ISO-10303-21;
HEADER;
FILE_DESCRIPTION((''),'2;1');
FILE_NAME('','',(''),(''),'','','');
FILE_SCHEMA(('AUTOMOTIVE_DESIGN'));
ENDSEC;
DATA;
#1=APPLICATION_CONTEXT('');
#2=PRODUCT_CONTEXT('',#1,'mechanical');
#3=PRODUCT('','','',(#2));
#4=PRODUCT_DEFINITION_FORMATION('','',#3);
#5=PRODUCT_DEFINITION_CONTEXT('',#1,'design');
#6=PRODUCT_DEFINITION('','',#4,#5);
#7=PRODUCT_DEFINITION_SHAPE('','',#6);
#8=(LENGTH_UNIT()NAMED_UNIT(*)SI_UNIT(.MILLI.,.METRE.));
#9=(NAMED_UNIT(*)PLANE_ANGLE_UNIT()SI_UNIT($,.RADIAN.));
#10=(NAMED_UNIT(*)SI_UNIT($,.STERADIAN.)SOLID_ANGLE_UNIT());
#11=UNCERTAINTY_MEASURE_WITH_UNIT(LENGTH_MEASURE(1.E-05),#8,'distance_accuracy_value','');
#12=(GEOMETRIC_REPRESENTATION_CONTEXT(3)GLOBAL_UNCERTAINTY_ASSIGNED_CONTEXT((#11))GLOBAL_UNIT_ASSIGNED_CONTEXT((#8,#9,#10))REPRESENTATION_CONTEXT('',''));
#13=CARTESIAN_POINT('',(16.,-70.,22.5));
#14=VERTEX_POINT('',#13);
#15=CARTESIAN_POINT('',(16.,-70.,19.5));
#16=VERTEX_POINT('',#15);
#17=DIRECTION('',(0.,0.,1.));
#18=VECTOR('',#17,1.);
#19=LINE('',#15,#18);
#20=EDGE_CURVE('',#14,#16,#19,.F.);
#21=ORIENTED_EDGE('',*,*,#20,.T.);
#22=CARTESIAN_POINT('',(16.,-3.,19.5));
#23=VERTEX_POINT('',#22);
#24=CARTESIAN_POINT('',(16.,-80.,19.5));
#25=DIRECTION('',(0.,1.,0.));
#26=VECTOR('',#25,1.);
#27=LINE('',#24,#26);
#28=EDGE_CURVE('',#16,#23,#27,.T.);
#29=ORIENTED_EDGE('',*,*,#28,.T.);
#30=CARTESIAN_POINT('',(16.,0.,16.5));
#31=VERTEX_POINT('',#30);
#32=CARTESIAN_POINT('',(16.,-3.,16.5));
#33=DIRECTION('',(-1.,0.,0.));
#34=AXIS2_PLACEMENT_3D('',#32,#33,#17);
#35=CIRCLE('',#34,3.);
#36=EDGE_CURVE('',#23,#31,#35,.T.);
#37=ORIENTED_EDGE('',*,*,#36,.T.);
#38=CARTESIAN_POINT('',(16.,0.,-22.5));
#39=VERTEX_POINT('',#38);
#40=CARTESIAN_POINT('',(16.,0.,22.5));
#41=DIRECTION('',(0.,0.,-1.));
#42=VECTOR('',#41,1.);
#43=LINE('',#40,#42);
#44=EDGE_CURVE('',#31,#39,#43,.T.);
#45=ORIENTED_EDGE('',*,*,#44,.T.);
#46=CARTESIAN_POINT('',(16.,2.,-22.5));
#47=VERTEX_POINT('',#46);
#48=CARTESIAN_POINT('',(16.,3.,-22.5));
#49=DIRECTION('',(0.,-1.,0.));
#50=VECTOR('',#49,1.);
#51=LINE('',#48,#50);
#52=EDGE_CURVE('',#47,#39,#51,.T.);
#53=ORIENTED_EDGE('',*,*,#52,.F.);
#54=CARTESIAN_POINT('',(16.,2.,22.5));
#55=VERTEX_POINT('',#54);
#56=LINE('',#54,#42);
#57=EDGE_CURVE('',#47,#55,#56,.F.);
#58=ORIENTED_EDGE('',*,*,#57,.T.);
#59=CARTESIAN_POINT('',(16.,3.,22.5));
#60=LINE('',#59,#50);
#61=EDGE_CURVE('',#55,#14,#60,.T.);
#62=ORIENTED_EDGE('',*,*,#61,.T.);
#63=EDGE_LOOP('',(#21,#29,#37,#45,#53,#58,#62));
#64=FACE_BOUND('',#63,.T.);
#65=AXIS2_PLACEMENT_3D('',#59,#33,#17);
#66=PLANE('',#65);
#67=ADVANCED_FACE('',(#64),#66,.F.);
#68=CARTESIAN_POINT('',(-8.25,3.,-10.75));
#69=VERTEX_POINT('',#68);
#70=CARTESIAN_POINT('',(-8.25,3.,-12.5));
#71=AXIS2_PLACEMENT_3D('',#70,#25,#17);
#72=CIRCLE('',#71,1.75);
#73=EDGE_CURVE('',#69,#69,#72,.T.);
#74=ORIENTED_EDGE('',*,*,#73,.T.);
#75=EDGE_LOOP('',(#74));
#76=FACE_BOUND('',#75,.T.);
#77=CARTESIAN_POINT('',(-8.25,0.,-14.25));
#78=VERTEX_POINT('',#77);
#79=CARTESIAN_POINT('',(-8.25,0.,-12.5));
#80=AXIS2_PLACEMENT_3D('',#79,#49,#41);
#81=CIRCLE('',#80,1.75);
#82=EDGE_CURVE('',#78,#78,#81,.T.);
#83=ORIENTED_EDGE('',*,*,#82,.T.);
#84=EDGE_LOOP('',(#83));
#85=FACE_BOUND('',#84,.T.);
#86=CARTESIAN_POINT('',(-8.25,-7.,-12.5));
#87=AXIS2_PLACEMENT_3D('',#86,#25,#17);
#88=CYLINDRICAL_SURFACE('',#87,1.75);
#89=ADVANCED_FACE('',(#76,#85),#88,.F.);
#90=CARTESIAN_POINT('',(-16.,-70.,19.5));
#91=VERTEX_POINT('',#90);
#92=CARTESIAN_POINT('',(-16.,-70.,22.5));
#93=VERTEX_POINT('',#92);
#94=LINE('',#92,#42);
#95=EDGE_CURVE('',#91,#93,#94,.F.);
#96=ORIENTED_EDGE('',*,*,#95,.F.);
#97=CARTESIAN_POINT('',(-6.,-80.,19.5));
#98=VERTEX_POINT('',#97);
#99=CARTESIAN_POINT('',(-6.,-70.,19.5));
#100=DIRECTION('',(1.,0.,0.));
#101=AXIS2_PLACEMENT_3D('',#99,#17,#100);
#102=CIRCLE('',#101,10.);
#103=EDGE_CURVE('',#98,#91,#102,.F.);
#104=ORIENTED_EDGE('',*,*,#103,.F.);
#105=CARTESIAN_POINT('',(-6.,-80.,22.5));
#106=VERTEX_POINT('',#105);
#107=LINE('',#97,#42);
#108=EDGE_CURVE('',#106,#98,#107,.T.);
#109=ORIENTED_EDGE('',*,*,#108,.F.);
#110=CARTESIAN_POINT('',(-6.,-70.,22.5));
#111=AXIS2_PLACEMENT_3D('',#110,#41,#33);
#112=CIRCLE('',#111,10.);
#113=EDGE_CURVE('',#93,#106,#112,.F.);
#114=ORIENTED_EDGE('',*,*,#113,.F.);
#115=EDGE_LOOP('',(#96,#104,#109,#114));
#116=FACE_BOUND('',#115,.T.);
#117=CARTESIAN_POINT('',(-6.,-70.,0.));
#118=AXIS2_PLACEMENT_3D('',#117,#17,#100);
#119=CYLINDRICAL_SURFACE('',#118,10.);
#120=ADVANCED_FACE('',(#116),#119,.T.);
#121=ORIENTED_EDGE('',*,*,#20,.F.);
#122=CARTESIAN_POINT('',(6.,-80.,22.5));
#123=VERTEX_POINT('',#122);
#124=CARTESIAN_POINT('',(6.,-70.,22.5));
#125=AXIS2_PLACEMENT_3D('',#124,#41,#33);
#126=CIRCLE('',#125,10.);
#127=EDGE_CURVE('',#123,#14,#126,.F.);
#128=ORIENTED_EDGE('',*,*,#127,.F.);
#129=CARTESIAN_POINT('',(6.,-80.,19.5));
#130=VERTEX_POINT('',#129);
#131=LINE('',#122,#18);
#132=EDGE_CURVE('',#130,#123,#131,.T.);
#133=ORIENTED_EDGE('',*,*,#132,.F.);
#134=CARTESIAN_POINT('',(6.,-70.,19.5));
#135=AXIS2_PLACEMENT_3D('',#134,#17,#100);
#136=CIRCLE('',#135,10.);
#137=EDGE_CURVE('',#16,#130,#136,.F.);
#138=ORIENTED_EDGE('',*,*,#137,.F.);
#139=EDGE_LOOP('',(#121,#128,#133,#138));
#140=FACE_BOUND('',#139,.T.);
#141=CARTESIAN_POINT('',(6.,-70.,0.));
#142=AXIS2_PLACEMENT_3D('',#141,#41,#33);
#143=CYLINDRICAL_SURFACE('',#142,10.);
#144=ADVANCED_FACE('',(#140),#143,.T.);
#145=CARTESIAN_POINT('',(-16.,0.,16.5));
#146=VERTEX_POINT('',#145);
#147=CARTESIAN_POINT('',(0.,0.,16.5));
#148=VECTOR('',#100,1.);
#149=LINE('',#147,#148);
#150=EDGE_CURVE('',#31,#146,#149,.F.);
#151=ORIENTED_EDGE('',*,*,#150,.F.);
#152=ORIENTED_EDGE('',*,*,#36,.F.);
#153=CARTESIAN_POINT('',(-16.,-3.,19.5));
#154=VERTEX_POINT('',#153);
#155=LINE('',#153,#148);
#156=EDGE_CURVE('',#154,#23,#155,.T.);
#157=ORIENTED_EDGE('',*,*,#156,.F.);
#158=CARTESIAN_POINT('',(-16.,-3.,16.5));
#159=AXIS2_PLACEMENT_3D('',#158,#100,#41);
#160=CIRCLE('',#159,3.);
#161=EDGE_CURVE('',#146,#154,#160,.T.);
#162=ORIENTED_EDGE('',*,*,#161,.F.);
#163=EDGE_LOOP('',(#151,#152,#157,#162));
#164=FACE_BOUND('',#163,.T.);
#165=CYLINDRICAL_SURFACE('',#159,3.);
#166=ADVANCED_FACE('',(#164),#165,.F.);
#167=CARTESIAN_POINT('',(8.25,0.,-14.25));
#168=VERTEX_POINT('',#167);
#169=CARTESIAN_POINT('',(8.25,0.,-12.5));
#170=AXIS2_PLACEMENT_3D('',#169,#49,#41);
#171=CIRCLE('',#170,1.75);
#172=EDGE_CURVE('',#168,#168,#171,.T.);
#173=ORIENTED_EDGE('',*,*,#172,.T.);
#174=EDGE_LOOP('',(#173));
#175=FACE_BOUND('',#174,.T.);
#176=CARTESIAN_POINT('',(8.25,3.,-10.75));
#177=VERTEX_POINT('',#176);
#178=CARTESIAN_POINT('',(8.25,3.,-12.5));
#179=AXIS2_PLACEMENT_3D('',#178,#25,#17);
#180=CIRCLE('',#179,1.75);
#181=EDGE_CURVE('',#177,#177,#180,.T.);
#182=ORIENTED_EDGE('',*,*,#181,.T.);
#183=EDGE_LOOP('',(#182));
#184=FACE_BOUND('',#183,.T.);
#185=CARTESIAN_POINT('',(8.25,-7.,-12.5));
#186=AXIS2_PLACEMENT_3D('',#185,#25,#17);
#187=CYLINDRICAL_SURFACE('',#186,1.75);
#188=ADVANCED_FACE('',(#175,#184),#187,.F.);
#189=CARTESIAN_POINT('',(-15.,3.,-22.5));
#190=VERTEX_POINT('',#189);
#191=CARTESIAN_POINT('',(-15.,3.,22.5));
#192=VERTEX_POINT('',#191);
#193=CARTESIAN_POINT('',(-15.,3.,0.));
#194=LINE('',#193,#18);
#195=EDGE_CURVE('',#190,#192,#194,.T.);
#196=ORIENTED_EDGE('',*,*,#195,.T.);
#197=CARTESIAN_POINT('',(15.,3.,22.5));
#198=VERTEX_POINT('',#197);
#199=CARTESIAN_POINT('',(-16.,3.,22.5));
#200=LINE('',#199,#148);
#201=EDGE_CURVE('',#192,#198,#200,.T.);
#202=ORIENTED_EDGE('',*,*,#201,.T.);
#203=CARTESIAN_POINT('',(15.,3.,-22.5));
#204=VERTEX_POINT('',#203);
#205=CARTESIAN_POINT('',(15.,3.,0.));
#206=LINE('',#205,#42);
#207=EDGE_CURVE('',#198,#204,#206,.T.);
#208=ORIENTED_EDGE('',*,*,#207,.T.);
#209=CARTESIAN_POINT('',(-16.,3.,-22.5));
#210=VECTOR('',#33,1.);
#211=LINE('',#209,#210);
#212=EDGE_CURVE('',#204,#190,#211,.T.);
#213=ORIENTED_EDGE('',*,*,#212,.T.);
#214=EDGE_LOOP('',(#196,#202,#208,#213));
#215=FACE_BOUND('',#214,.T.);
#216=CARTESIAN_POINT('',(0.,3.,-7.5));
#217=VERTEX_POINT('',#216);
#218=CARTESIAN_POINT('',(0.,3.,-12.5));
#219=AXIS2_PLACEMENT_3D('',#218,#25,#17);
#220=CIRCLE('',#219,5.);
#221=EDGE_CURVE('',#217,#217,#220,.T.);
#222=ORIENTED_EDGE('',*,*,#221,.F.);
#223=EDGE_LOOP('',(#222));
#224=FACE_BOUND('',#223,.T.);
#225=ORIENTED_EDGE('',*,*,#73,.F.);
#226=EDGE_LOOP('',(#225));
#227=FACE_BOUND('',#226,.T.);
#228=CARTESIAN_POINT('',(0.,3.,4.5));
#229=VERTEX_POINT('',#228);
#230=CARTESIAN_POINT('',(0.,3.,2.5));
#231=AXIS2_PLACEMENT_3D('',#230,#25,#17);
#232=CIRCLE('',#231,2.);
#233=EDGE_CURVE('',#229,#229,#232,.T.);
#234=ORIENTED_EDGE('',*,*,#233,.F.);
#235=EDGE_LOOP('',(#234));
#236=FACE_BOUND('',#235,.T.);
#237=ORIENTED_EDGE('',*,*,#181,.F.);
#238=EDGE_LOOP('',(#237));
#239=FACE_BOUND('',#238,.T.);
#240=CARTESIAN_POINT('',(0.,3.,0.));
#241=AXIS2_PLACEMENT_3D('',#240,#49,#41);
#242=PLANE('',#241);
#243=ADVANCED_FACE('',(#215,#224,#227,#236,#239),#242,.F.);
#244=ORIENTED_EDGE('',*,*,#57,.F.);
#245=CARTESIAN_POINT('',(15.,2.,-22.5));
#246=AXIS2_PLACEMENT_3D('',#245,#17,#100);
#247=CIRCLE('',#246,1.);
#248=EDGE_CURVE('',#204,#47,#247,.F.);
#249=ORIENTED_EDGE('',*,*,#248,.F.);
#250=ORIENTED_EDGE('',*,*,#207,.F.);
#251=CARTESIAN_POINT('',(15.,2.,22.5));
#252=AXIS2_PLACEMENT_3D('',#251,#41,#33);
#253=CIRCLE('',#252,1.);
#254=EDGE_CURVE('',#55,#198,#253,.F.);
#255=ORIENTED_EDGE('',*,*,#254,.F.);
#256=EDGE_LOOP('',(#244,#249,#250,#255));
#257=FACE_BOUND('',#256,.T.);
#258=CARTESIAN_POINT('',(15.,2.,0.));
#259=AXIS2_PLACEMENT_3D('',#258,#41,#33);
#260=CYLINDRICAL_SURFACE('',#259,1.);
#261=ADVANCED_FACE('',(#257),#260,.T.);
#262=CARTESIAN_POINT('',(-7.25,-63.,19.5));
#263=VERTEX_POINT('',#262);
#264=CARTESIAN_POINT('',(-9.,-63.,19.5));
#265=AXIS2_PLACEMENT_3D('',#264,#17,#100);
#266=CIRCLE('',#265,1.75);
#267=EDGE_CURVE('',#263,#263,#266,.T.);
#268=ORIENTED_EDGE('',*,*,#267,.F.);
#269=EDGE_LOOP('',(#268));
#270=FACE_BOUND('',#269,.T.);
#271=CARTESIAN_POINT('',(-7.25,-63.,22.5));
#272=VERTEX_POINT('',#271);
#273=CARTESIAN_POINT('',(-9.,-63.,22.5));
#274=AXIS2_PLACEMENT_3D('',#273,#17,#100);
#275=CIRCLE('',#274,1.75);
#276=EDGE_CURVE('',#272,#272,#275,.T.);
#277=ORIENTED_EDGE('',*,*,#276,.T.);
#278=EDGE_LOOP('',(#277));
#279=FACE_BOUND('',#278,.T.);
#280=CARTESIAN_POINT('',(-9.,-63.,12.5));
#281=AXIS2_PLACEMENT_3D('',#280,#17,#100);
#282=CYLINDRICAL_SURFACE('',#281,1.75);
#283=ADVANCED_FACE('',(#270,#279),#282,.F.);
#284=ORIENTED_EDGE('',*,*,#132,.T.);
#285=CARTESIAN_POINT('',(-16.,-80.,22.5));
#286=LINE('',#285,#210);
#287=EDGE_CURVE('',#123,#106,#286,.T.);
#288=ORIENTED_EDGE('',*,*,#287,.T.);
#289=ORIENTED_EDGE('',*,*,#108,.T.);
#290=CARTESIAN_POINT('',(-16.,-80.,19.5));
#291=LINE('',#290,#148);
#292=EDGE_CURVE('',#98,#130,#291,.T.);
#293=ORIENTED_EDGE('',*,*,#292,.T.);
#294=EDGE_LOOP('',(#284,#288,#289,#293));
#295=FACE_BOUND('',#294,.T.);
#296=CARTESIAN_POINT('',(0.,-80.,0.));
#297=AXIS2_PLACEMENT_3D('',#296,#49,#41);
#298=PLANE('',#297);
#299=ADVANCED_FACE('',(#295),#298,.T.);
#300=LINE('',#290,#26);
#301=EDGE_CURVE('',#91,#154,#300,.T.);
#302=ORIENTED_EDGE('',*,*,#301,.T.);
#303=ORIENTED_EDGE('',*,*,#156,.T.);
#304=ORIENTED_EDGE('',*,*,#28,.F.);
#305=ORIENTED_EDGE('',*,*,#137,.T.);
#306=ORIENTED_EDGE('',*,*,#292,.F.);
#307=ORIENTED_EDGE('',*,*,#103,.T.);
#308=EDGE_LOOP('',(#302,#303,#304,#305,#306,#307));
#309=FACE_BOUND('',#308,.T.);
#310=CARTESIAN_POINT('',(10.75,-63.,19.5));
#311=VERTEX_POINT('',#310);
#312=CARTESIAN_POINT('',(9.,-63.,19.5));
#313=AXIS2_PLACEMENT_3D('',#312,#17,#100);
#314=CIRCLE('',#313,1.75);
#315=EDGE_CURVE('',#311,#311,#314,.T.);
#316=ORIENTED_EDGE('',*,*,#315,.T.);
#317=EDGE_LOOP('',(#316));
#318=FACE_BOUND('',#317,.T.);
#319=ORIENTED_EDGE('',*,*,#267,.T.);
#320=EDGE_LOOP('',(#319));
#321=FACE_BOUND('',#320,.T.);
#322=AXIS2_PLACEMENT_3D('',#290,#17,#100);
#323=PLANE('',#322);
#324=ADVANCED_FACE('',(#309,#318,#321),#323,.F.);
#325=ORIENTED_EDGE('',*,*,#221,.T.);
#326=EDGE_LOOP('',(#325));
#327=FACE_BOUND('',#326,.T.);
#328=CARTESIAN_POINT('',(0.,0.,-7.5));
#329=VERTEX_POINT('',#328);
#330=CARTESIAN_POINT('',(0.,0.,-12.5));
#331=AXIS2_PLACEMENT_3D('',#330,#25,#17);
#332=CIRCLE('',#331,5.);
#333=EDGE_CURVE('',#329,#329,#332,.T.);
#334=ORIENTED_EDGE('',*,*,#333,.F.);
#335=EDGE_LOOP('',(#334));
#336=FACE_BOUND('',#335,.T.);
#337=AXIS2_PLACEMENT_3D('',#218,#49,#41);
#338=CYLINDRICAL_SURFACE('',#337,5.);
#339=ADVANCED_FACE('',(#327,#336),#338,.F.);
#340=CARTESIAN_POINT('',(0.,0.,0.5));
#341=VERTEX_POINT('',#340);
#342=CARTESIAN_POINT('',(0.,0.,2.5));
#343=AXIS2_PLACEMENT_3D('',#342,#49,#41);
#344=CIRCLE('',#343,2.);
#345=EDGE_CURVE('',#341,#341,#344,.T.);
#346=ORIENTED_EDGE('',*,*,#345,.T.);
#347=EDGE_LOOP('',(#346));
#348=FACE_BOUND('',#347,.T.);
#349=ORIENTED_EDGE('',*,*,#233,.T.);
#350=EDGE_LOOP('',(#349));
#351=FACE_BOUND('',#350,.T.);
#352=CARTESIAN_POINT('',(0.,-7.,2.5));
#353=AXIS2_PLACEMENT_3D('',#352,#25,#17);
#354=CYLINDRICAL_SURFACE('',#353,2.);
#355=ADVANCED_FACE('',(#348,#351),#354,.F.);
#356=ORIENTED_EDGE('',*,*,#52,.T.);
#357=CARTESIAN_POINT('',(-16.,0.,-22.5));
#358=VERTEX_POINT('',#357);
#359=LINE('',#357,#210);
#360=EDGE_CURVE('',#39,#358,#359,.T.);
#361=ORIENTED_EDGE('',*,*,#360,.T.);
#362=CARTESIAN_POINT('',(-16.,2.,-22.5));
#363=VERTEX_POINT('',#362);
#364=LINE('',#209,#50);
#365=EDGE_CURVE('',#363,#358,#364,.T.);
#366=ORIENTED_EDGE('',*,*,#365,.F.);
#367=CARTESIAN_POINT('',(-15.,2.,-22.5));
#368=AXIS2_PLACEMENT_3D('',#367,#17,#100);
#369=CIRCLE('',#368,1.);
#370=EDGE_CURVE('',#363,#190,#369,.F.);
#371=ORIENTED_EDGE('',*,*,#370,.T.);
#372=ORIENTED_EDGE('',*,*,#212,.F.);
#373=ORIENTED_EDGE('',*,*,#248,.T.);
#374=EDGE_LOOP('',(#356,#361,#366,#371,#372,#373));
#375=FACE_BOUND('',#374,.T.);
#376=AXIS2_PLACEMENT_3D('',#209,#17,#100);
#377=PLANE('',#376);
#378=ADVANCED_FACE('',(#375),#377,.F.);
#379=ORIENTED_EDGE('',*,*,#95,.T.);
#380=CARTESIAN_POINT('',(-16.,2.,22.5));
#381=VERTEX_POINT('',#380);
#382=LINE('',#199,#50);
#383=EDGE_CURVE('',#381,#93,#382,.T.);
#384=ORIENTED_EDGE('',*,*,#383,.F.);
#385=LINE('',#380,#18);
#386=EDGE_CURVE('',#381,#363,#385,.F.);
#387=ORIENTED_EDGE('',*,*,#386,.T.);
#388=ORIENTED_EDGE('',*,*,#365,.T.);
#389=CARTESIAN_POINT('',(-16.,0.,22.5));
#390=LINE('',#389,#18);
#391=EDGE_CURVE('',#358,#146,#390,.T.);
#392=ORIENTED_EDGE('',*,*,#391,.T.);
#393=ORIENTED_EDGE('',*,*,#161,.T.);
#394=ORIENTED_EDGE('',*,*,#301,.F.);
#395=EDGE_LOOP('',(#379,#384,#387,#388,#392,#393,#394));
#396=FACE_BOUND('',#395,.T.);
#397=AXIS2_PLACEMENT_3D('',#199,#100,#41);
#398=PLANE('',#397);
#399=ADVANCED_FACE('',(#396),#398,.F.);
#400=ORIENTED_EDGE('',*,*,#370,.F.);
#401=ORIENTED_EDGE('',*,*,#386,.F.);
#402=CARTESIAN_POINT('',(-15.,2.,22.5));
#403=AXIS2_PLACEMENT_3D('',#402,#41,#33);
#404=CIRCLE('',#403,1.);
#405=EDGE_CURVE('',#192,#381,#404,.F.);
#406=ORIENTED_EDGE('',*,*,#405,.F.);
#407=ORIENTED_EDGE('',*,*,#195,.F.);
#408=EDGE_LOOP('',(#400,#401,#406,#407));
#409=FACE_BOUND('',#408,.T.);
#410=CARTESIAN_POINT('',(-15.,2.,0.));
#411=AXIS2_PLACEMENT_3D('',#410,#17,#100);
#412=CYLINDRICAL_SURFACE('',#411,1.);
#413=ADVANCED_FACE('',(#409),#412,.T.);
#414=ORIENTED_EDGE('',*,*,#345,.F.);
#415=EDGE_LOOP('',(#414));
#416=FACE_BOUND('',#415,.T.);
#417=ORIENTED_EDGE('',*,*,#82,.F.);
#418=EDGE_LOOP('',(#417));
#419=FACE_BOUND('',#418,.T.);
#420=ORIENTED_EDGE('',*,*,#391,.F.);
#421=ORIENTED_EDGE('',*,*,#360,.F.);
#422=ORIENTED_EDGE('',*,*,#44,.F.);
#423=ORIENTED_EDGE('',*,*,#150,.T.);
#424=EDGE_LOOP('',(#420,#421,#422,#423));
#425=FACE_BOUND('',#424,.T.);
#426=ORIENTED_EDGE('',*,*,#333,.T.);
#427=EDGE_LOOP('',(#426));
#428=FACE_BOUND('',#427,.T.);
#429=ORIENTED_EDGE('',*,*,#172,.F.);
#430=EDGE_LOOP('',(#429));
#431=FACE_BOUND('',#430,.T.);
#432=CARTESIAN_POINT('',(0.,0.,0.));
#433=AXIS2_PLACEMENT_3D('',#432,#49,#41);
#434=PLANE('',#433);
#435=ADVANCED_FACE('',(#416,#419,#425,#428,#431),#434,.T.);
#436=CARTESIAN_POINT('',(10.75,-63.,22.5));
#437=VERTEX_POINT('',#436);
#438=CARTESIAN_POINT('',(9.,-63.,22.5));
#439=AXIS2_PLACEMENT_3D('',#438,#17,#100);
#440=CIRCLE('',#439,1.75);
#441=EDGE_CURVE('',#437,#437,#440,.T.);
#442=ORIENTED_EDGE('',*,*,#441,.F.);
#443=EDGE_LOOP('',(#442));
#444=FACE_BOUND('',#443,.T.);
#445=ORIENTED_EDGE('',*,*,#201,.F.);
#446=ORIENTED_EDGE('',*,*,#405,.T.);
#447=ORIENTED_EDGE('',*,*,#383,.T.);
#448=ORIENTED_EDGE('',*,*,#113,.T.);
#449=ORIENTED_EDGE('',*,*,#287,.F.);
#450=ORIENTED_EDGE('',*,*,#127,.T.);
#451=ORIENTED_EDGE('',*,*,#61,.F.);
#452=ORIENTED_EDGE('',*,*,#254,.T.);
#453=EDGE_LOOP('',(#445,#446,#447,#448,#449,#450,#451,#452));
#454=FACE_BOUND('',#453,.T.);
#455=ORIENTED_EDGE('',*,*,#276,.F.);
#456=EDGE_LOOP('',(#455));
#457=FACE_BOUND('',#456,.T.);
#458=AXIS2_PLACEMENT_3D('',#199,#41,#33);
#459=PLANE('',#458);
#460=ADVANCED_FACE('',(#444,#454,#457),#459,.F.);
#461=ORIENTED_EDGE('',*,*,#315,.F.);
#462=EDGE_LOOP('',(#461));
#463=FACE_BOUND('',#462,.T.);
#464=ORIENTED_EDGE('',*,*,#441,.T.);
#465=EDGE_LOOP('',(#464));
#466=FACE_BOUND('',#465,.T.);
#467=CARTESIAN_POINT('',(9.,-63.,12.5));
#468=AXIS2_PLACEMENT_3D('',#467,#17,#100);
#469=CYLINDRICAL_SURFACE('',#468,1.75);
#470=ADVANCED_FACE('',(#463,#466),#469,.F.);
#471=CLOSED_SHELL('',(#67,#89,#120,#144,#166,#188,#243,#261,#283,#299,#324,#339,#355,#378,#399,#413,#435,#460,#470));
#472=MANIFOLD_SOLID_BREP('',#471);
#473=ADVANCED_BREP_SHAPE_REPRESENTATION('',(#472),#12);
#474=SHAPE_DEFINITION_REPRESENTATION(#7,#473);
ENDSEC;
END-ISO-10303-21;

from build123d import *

# Parameters (mm, degrees)
CROQUIS1_W              = 32
CROQUIS1_H              = 45
CROQUIS1_R              = 5
SALIENTE_EXTRUIR1_DEPTH = 3
CROQUIS2_W              = 32
CROQUIS2_H              = 3
SALIENTE_EXTRUIR2_DEPTH = 80
REDONDEO1_R             = 3
REDONDEO3_R             = 1
CROQUIS5_R              = 1.75
CORTAR_EXTRUIR2_DEPTH   = 10
CROQUIS6_R              = 1.75
CORTAR_EXTRUIR3_DEPTH   = 10
REDONDEO4_R             = 10
CROQUIS7_R              = 2
CORTAR_EXTRUIR4_DEPTH   = 10


with BuildPart() as part:
    # Croquis1 → Saliente-Extruir1 (new body)
    with BuildSketch(Plane(origin=(0, 0, 0), x_dir=(1, 0, 0), z_dir=(0, 1, 0))):
        Rectangle(CROQUIS1_W, CROQUIS1_H)
        with Locations(Location((0, 12.5, 0), (0, 0, 270))):
            Circle(CROQUIS1_R, mode=Mode.SUBTRACT)
    extrude(amount=SALIENTE_EXTRUIR1_DEPTH)

    # Croquis2 → Saliente-Extruir2 (add)
    with BuildSketch(Plane.XZ):
        with Locations((0, 21)):
            Rectangle(CROQUIS2_W, CROQUIS2_H)
    extrude(amount=SALIENTE_EXTRUIR2_DEPTH)

    # Redondeo1
    redondeo1_edges = [part.edges().sort_by_distance(p)[0] for p in [
        (0, 0, 19.5),
    ]]
    fillet(redondeo1_edges, radius=REDONDEO1_R)

    # Redondeo3
    redondeo3_edges = [part.edges().sort_by_distance(p)[0] for p in [
        (-16, 3, 0),
        (16, 3, 0),
    ]]
    fillet(redondeo3_edges, radius=REDONDEO3_R)

    # Croquis5 → Cortar-Extruir2 (cut)
    with BuildSketch(Plane(origin=(0, 3, 0), x_dir=(1, 0, 0), z_dir=(0, 1, 0))):
        with Locations(Location((-8.25, 12.5, 0), (0, 0, 270))):
            Circle(CROQUIS5_R)
        with Locations(Location((8.25, 12.5, 0), (0, 0, 270))):
            Circle(CROQUIS5_R)
    extrude(amount=-CORTAR_EXTRUIR2_DEPTH, mode=Mode.SUBTRACT)

    # Croquis6 → Cortar-Extruir3 (cut)
    with BuildSketch(Plane.XY.offset(22.5)):
        with Locations((-9, -63)):
            Circle(CROQUIS6_R)
        with Locations((9, -63)):
            Circle(CROQUIS6_R)
    extrude(amount=-CORTAR_EXTRUIR3_DEPTH, mode=Mode.SUBTRACT)

    # Redondeo4
    redondeo4_edges = [part.edges().sort_by_distance(p)[0] for p in [
        (-16, -80, 21),
        (16, -80, 21),
    ]]
    fillet(redondeo4_edges, radius=REDONDEO4_R)

    # Croquis7 → Cortar-Extruir4 (cut)
    with BuildSketch(Plane(origin=(0, 3, 0), x_dir=(1, 0, 0), z_dir=(0, 1, 0))):
        with Locations(Location((0, -2.5, 0), (0, 0, 270))):
            Circle(CROQUIS7_R)
    extrude(amount=-CORTAR_EXTRUIR4_DEPTH, mode=Mode.SUBTRACT)


solid = part.part
